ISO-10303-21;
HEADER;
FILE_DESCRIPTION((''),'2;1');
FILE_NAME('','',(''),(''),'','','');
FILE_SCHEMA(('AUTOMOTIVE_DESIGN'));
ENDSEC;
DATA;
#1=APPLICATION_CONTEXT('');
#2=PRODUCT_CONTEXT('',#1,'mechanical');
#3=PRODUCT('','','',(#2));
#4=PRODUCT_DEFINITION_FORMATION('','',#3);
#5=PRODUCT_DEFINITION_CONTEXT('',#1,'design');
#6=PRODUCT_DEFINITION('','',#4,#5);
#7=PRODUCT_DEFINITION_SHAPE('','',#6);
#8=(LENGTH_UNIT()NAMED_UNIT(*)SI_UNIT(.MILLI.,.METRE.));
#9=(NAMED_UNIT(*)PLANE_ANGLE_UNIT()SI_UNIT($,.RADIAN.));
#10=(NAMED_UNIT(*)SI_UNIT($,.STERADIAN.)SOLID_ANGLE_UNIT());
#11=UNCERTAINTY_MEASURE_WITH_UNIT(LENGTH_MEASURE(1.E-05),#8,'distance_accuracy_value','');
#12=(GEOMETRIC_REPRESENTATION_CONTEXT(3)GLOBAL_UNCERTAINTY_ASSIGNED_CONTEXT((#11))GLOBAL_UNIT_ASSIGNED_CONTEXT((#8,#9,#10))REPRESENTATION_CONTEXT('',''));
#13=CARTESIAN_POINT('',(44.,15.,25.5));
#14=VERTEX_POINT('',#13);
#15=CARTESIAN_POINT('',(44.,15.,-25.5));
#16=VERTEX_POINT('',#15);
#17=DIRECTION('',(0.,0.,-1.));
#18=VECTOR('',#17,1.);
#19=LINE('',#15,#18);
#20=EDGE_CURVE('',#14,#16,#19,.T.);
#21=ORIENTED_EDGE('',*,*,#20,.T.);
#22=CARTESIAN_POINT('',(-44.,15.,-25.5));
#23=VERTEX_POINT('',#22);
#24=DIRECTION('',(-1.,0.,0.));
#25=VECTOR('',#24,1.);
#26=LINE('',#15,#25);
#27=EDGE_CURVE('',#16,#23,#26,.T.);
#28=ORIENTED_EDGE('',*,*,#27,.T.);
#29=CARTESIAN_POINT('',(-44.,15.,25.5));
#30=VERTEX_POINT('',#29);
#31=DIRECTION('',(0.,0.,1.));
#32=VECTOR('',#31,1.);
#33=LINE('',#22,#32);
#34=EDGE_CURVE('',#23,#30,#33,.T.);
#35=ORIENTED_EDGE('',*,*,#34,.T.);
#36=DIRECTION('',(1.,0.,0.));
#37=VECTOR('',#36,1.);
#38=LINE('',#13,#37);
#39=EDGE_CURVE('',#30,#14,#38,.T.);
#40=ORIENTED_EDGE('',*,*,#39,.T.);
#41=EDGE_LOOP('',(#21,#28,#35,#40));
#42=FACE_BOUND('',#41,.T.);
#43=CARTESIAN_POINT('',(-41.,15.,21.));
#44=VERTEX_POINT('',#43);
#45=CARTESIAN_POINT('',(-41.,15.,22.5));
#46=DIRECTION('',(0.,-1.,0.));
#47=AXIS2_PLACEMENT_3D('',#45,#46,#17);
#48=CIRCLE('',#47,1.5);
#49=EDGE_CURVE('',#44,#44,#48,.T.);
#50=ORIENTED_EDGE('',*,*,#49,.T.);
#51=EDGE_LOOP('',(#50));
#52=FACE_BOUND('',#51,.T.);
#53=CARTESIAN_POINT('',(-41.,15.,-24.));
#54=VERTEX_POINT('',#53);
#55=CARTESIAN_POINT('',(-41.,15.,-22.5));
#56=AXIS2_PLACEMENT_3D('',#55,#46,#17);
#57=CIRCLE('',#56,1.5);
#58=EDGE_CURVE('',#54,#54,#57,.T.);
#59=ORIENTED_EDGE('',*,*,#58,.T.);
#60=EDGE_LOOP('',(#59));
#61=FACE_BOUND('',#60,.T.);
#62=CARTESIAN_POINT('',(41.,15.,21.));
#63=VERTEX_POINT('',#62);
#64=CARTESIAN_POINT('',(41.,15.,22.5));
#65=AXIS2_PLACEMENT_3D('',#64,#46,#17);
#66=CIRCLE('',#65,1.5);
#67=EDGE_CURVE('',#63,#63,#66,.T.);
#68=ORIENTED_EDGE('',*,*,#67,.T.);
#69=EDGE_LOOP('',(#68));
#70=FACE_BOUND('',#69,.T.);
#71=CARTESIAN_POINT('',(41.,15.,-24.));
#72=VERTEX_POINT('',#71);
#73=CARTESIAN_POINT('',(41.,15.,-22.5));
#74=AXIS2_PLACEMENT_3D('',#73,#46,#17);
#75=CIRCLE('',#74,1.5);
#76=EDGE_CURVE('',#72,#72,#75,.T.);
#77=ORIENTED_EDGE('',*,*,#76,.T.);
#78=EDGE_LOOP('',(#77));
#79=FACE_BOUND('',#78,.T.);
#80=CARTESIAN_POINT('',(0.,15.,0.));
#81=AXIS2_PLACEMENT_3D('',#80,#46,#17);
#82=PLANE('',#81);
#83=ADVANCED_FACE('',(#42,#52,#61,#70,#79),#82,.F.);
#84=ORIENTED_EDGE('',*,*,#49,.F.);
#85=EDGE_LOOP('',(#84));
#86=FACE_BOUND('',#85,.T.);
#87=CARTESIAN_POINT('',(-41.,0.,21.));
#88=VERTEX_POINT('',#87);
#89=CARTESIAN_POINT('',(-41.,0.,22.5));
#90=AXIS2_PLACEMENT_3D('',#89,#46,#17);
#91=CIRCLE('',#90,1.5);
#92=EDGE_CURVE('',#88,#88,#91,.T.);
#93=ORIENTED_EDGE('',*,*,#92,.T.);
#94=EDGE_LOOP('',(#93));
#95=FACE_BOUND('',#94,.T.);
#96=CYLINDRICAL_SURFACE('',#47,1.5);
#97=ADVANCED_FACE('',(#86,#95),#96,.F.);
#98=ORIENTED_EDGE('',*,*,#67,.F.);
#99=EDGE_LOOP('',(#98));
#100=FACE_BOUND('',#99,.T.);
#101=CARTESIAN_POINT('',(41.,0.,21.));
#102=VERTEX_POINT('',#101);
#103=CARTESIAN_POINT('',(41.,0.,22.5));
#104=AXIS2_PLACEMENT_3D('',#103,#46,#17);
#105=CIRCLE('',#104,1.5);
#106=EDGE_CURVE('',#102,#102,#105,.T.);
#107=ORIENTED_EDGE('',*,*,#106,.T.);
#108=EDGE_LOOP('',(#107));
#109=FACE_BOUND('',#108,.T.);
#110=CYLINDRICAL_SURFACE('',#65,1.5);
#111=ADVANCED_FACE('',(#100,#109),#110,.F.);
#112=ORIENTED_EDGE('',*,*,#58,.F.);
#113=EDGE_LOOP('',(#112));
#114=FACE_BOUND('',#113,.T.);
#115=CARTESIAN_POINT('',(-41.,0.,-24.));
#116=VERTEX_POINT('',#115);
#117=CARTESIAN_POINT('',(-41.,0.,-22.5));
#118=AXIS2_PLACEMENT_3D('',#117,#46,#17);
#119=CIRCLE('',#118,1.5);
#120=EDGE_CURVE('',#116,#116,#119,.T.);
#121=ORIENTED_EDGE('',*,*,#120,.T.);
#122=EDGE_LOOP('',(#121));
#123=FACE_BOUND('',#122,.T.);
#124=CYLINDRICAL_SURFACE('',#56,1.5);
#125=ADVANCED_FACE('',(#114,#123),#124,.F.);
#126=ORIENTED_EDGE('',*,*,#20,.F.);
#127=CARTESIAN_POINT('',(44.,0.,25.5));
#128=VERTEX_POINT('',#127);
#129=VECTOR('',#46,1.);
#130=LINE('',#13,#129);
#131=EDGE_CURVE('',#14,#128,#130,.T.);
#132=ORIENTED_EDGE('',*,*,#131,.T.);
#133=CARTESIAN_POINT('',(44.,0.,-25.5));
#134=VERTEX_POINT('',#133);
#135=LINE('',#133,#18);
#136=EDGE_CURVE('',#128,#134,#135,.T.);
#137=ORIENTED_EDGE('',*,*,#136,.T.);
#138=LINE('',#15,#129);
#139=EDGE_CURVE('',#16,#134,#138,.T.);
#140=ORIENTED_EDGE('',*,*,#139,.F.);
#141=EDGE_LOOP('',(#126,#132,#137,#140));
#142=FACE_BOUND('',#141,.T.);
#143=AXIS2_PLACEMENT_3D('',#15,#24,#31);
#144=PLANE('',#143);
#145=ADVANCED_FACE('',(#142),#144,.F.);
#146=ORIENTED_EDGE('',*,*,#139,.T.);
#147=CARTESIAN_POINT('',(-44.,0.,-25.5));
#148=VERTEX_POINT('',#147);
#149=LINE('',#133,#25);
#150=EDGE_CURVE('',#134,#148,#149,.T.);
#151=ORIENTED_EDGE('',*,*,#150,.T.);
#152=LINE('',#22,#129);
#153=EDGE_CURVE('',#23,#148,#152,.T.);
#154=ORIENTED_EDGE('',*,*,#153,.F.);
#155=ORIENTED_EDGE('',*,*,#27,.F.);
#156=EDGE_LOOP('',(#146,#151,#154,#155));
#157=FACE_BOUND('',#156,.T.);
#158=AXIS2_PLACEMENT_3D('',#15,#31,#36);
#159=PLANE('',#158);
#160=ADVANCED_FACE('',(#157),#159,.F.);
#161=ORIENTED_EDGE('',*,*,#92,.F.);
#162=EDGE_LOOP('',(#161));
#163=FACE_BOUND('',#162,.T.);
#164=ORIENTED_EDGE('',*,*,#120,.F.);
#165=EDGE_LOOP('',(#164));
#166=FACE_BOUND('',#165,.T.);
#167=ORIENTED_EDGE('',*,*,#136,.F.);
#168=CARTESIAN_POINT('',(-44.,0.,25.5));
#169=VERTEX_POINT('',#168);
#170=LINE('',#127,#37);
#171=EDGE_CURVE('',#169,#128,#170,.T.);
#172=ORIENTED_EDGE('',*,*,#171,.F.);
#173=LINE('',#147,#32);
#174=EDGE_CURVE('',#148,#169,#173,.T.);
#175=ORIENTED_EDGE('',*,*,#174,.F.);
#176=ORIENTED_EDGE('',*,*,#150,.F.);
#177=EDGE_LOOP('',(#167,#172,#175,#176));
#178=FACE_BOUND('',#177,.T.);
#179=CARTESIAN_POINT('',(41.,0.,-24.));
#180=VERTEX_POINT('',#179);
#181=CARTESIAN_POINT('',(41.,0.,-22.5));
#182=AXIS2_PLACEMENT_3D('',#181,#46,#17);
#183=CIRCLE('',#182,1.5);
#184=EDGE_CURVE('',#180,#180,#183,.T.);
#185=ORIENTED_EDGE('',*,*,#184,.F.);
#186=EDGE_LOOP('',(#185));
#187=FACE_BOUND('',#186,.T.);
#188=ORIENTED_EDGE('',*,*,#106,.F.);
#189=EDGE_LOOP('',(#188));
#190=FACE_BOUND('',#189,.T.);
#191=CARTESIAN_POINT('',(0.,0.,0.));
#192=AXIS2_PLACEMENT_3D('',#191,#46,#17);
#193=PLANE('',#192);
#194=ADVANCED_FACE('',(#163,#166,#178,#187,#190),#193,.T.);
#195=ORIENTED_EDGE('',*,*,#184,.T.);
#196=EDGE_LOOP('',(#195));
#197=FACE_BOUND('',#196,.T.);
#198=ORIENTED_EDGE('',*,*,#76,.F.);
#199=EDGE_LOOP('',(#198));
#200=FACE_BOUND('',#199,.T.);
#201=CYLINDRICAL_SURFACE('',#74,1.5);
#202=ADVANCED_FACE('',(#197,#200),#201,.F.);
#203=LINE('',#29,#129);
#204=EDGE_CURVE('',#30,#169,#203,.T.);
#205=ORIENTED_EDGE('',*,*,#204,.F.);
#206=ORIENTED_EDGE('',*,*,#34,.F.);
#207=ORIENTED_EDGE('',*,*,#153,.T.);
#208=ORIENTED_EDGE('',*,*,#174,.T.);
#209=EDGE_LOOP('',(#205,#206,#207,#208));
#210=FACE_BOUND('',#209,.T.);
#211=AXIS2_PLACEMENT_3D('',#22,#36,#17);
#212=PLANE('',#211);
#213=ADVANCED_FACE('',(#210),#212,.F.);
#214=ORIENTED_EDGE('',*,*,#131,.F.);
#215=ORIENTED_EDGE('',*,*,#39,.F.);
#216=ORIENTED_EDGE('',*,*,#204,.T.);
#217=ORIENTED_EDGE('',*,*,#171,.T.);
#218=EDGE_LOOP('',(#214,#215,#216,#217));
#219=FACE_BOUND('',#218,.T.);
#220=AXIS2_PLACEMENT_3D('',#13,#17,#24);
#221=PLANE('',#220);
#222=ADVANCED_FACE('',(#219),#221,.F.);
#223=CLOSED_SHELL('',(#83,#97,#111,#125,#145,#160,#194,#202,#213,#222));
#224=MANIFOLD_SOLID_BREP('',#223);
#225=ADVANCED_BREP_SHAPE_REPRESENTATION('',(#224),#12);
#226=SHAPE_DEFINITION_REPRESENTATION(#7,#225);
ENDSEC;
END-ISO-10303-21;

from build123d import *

# Parameters (mm, degrees)
CROQUIS1_W              = 88
CROQUIS1_H              = 51
SALIENTE_EXTRUIR1_DEPTH = 15
CROQUIS3_R              = 1.5
CORTAR_EXTRUIR1_DEPTH   = 54.021222166


with BuildPart() as part:
    # Croquis1 → Saliente-Extruir1 (new body)
    with BuildSketch(Plane(origin=(0, 0, 0), x_dir=(1, 0, 0), z_dir=(0, 1, 0))):
        Rectangle(CROQUIS1_W, CROQUIS1_H)
    extrude(amount=SALIENTE_EXTRUIR1_DEPTH)

    # Croquis3 → Cortar-Extruir1 (cut, through all)
    with BuildSketch(Plane.XZ):
        with Locations(Location((-41, 22.5, 0), (0, 0, 270))):
            Circle(CROQUIS3_R)
        with Locations(Location((41, 22.5, 0), (0, 0, 270))):
            Circle(CROQUIS3_R)
        with Locations(Location((41, -22.5, 0), (0, 0, 270))):
            Circle(CROQUIS3_R)
        with Locations(Location((-41, -22.5, 0), (0, 0, 270))):
            Circle(CROQUIS3_R)
    extrude(amount=-CORTAR_EXTRUIR1_DEPTH, mode=Mode.SUBTRACT)


solid = part.part
